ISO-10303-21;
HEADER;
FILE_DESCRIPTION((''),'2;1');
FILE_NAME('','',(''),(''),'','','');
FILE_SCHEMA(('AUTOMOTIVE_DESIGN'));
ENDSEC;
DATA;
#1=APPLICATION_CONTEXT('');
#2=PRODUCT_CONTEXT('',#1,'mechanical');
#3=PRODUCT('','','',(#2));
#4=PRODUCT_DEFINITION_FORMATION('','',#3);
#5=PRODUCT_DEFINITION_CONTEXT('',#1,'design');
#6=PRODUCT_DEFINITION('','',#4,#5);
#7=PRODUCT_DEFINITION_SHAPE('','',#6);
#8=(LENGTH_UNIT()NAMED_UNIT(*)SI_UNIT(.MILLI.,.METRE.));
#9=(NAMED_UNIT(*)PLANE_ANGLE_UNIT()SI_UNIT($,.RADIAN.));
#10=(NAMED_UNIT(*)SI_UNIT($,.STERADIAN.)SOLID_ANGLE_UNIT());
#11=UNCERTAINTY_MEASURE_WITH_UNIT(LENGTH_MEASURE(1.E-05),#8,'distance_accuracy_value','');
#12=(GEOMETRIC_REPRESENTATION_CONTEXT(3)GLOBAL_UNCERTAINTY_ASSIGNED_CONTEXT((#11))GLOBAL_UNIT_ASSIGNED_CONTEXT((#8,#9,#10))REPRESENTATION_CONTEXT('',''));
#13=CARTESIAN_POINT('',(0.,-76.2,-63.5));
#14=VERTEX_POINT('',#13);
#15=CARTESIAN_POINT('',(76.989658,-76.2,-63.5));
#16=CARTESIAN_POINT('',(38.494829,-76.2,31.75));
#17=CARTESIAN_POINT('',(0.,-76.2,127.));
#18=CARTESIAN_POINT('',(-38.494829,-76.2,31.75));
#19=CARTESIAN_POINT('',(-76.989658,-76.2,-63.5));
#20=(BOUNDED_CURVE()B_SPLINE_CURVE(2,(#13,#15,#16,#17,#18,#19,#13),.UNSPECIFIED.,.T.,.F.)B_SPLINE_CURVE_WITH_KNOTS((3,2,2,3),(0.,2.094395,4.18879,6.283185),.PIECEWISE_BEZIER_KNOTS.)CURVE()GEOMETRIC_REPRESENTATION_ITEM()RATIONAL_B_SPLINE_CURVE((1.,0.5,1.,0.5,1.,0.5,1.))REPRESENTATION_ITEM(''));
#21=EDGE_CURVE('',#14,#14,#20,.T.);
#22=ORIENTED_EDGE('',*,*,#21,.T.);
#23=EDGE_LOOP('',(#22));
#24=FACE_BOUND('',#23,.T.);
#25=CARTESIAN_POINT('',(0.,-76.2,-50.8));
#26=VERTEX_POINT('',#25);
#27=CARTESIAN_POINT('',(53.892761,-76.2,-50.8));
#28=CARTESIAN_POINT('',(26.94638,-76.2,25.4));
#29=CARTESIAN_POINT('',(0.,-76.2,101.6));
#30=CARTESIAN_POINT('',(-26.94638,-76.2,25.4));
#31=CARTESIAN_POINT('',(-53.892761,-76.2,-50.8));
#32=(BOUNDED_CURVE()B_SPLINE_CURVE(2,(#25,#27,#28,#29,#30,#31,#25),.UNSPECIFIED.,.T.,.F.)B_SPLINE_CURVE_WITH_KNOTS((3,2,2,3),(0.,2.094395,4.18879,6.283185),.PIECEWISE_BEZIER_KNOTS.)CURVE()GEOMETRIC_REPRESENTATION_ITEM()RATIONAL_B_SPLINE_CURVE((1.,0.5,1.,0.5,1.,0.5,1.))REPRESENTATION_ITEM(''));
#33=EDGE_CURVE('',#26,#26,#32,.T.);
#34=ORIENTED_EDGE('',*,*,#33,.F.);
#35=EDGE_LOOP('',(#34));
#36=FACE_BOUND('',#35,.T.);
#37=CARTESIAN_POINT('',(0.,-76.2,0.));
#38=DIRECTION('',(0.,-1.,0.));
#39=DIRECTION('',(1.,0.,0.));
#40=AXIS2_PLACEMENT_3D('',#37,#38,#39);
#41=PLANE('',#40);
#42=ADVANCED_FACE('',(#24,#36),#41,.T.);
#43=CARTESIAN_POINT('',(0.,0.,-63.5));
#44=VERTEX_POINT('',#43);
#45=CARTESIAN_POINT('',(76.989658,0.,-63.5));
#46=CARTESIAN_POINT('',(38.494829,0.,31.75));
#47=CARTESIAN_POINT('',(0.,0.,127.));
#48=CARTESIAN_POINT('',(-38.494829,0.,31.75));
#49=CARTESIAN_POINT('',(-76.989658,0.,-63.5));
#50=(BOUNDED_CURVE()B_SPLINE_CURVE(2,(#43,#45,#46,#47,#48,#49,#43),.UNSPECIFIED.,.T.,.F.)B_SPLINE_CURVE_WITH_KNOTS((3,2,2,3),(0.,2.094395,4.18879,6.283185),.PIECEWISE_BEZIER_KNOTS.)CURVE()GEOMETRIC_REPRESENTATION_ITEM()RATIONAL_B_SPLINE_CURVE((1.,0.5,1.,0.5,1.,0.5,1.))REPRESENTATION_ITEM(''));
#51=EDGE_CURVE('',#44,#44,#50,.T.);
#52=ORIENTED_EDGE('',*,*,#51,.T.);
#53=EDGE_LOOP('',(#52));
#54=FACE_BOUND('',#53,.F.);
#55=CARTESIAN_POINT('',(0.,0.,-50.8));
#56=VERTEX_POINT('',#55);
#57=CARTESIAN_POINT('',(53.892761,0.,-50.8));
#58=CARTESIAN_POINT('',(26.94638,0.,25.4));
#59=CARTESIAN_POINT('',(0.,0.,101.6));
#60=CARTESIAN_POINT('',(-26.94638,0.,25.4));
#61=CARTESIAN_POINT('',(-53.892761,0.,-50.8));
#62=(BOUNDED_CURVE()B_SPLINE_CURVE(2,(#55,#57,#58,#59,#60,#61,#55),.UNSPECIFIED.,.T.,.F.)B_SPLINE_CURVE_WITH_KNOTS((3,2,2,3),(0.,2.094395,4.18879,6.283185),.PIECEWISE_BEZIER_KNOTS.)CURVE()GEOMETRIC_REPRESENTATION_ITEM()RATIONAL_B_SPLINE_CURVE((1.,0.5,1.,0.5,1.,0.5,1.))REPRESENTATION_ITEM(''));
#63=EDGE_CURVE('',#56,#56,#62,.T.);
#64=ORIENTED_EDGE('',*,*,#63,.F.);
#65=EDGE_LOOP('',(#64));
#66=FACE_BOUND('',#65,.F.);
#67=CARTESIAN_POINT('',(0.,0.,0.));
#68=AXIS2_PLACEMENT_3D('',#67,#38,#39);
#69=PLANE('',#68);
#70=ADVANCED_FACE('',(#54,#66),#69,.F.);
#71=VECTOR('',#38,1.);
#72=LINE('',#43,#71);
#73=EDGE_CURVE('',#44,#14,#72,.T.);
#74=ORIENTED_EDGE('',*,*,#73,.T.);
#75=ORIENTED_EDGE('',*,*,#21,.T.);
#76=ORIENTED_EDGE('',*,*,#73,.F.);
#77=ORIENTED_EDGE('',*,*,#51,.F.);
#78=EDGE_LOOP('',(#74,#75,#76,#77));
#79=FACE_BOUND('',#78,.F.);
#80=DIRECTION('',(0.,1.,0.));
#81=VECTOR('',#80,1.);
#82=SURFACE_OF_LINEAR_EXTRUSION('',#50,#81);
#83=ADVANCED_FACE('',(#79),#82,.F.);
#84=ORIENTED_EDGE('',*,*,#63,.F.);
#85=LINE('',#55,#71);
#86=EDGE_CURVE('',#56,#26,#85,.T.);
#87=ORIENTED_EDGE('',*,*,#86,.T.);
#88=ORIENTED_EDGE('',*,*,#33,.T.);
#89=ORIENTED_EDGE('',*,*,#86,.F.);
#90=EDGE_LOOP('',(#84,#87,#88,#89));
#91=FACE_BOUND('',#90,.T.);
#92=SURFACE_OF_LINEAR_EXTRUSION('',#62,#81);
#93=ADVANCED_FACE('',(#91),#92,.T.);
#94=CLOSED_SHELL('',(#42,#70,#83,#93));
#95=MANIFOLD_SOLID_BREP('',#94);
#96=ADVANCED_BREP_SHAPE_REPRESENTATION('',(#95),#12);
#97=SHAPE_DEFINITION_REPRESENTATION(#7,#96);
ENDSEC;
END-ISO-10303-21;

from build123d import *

# Parameters (mm, degrees)
F1_DEPTH = 76.2


with BuildPart() as f1:
    # F0 (on Front) → F1 (new body)
    with BuildSketch(Plane.XZ):
        with BuildLine():
            add(Edge.make_bspline(
                [(0, -63.5), (76.989658, -63.5), (38.494829, 31.75), (0, 127), (-38.494829, 31.75), (-76.989658, -63.5), (0, -63.5)],
                knots=[0, 0, 0, 2.094395, 2.094395, 4.18879, 4.18879, 6.283185, 6.283185, 6.283185], degree=2, weights=[1, 0.5, 1, 0.5, 1, 0.5, 1]))
        make_face()
        with BuildLine():
            add(Edge.make_bspline(
                [(0, -50.8), (53.892761, -50.8), (26.94638, 25.4), (0, 101.6), (-26.94638, 25.4), (-53.892761, -50.8), (0, -50.8)],
                knots=[0, 0, 0, 2.094395, 2.094395, 4.18879, 4.18879, 6.283185, 6.283185, 6.283185], degree=2, weights=[1, 0.5, 1, 0.5, 1, 0.5, 1]))
        make_face(mode=Mode.SUBTRACT)
    extrude(amount=F1_DEPTH)


solid = f1.part
